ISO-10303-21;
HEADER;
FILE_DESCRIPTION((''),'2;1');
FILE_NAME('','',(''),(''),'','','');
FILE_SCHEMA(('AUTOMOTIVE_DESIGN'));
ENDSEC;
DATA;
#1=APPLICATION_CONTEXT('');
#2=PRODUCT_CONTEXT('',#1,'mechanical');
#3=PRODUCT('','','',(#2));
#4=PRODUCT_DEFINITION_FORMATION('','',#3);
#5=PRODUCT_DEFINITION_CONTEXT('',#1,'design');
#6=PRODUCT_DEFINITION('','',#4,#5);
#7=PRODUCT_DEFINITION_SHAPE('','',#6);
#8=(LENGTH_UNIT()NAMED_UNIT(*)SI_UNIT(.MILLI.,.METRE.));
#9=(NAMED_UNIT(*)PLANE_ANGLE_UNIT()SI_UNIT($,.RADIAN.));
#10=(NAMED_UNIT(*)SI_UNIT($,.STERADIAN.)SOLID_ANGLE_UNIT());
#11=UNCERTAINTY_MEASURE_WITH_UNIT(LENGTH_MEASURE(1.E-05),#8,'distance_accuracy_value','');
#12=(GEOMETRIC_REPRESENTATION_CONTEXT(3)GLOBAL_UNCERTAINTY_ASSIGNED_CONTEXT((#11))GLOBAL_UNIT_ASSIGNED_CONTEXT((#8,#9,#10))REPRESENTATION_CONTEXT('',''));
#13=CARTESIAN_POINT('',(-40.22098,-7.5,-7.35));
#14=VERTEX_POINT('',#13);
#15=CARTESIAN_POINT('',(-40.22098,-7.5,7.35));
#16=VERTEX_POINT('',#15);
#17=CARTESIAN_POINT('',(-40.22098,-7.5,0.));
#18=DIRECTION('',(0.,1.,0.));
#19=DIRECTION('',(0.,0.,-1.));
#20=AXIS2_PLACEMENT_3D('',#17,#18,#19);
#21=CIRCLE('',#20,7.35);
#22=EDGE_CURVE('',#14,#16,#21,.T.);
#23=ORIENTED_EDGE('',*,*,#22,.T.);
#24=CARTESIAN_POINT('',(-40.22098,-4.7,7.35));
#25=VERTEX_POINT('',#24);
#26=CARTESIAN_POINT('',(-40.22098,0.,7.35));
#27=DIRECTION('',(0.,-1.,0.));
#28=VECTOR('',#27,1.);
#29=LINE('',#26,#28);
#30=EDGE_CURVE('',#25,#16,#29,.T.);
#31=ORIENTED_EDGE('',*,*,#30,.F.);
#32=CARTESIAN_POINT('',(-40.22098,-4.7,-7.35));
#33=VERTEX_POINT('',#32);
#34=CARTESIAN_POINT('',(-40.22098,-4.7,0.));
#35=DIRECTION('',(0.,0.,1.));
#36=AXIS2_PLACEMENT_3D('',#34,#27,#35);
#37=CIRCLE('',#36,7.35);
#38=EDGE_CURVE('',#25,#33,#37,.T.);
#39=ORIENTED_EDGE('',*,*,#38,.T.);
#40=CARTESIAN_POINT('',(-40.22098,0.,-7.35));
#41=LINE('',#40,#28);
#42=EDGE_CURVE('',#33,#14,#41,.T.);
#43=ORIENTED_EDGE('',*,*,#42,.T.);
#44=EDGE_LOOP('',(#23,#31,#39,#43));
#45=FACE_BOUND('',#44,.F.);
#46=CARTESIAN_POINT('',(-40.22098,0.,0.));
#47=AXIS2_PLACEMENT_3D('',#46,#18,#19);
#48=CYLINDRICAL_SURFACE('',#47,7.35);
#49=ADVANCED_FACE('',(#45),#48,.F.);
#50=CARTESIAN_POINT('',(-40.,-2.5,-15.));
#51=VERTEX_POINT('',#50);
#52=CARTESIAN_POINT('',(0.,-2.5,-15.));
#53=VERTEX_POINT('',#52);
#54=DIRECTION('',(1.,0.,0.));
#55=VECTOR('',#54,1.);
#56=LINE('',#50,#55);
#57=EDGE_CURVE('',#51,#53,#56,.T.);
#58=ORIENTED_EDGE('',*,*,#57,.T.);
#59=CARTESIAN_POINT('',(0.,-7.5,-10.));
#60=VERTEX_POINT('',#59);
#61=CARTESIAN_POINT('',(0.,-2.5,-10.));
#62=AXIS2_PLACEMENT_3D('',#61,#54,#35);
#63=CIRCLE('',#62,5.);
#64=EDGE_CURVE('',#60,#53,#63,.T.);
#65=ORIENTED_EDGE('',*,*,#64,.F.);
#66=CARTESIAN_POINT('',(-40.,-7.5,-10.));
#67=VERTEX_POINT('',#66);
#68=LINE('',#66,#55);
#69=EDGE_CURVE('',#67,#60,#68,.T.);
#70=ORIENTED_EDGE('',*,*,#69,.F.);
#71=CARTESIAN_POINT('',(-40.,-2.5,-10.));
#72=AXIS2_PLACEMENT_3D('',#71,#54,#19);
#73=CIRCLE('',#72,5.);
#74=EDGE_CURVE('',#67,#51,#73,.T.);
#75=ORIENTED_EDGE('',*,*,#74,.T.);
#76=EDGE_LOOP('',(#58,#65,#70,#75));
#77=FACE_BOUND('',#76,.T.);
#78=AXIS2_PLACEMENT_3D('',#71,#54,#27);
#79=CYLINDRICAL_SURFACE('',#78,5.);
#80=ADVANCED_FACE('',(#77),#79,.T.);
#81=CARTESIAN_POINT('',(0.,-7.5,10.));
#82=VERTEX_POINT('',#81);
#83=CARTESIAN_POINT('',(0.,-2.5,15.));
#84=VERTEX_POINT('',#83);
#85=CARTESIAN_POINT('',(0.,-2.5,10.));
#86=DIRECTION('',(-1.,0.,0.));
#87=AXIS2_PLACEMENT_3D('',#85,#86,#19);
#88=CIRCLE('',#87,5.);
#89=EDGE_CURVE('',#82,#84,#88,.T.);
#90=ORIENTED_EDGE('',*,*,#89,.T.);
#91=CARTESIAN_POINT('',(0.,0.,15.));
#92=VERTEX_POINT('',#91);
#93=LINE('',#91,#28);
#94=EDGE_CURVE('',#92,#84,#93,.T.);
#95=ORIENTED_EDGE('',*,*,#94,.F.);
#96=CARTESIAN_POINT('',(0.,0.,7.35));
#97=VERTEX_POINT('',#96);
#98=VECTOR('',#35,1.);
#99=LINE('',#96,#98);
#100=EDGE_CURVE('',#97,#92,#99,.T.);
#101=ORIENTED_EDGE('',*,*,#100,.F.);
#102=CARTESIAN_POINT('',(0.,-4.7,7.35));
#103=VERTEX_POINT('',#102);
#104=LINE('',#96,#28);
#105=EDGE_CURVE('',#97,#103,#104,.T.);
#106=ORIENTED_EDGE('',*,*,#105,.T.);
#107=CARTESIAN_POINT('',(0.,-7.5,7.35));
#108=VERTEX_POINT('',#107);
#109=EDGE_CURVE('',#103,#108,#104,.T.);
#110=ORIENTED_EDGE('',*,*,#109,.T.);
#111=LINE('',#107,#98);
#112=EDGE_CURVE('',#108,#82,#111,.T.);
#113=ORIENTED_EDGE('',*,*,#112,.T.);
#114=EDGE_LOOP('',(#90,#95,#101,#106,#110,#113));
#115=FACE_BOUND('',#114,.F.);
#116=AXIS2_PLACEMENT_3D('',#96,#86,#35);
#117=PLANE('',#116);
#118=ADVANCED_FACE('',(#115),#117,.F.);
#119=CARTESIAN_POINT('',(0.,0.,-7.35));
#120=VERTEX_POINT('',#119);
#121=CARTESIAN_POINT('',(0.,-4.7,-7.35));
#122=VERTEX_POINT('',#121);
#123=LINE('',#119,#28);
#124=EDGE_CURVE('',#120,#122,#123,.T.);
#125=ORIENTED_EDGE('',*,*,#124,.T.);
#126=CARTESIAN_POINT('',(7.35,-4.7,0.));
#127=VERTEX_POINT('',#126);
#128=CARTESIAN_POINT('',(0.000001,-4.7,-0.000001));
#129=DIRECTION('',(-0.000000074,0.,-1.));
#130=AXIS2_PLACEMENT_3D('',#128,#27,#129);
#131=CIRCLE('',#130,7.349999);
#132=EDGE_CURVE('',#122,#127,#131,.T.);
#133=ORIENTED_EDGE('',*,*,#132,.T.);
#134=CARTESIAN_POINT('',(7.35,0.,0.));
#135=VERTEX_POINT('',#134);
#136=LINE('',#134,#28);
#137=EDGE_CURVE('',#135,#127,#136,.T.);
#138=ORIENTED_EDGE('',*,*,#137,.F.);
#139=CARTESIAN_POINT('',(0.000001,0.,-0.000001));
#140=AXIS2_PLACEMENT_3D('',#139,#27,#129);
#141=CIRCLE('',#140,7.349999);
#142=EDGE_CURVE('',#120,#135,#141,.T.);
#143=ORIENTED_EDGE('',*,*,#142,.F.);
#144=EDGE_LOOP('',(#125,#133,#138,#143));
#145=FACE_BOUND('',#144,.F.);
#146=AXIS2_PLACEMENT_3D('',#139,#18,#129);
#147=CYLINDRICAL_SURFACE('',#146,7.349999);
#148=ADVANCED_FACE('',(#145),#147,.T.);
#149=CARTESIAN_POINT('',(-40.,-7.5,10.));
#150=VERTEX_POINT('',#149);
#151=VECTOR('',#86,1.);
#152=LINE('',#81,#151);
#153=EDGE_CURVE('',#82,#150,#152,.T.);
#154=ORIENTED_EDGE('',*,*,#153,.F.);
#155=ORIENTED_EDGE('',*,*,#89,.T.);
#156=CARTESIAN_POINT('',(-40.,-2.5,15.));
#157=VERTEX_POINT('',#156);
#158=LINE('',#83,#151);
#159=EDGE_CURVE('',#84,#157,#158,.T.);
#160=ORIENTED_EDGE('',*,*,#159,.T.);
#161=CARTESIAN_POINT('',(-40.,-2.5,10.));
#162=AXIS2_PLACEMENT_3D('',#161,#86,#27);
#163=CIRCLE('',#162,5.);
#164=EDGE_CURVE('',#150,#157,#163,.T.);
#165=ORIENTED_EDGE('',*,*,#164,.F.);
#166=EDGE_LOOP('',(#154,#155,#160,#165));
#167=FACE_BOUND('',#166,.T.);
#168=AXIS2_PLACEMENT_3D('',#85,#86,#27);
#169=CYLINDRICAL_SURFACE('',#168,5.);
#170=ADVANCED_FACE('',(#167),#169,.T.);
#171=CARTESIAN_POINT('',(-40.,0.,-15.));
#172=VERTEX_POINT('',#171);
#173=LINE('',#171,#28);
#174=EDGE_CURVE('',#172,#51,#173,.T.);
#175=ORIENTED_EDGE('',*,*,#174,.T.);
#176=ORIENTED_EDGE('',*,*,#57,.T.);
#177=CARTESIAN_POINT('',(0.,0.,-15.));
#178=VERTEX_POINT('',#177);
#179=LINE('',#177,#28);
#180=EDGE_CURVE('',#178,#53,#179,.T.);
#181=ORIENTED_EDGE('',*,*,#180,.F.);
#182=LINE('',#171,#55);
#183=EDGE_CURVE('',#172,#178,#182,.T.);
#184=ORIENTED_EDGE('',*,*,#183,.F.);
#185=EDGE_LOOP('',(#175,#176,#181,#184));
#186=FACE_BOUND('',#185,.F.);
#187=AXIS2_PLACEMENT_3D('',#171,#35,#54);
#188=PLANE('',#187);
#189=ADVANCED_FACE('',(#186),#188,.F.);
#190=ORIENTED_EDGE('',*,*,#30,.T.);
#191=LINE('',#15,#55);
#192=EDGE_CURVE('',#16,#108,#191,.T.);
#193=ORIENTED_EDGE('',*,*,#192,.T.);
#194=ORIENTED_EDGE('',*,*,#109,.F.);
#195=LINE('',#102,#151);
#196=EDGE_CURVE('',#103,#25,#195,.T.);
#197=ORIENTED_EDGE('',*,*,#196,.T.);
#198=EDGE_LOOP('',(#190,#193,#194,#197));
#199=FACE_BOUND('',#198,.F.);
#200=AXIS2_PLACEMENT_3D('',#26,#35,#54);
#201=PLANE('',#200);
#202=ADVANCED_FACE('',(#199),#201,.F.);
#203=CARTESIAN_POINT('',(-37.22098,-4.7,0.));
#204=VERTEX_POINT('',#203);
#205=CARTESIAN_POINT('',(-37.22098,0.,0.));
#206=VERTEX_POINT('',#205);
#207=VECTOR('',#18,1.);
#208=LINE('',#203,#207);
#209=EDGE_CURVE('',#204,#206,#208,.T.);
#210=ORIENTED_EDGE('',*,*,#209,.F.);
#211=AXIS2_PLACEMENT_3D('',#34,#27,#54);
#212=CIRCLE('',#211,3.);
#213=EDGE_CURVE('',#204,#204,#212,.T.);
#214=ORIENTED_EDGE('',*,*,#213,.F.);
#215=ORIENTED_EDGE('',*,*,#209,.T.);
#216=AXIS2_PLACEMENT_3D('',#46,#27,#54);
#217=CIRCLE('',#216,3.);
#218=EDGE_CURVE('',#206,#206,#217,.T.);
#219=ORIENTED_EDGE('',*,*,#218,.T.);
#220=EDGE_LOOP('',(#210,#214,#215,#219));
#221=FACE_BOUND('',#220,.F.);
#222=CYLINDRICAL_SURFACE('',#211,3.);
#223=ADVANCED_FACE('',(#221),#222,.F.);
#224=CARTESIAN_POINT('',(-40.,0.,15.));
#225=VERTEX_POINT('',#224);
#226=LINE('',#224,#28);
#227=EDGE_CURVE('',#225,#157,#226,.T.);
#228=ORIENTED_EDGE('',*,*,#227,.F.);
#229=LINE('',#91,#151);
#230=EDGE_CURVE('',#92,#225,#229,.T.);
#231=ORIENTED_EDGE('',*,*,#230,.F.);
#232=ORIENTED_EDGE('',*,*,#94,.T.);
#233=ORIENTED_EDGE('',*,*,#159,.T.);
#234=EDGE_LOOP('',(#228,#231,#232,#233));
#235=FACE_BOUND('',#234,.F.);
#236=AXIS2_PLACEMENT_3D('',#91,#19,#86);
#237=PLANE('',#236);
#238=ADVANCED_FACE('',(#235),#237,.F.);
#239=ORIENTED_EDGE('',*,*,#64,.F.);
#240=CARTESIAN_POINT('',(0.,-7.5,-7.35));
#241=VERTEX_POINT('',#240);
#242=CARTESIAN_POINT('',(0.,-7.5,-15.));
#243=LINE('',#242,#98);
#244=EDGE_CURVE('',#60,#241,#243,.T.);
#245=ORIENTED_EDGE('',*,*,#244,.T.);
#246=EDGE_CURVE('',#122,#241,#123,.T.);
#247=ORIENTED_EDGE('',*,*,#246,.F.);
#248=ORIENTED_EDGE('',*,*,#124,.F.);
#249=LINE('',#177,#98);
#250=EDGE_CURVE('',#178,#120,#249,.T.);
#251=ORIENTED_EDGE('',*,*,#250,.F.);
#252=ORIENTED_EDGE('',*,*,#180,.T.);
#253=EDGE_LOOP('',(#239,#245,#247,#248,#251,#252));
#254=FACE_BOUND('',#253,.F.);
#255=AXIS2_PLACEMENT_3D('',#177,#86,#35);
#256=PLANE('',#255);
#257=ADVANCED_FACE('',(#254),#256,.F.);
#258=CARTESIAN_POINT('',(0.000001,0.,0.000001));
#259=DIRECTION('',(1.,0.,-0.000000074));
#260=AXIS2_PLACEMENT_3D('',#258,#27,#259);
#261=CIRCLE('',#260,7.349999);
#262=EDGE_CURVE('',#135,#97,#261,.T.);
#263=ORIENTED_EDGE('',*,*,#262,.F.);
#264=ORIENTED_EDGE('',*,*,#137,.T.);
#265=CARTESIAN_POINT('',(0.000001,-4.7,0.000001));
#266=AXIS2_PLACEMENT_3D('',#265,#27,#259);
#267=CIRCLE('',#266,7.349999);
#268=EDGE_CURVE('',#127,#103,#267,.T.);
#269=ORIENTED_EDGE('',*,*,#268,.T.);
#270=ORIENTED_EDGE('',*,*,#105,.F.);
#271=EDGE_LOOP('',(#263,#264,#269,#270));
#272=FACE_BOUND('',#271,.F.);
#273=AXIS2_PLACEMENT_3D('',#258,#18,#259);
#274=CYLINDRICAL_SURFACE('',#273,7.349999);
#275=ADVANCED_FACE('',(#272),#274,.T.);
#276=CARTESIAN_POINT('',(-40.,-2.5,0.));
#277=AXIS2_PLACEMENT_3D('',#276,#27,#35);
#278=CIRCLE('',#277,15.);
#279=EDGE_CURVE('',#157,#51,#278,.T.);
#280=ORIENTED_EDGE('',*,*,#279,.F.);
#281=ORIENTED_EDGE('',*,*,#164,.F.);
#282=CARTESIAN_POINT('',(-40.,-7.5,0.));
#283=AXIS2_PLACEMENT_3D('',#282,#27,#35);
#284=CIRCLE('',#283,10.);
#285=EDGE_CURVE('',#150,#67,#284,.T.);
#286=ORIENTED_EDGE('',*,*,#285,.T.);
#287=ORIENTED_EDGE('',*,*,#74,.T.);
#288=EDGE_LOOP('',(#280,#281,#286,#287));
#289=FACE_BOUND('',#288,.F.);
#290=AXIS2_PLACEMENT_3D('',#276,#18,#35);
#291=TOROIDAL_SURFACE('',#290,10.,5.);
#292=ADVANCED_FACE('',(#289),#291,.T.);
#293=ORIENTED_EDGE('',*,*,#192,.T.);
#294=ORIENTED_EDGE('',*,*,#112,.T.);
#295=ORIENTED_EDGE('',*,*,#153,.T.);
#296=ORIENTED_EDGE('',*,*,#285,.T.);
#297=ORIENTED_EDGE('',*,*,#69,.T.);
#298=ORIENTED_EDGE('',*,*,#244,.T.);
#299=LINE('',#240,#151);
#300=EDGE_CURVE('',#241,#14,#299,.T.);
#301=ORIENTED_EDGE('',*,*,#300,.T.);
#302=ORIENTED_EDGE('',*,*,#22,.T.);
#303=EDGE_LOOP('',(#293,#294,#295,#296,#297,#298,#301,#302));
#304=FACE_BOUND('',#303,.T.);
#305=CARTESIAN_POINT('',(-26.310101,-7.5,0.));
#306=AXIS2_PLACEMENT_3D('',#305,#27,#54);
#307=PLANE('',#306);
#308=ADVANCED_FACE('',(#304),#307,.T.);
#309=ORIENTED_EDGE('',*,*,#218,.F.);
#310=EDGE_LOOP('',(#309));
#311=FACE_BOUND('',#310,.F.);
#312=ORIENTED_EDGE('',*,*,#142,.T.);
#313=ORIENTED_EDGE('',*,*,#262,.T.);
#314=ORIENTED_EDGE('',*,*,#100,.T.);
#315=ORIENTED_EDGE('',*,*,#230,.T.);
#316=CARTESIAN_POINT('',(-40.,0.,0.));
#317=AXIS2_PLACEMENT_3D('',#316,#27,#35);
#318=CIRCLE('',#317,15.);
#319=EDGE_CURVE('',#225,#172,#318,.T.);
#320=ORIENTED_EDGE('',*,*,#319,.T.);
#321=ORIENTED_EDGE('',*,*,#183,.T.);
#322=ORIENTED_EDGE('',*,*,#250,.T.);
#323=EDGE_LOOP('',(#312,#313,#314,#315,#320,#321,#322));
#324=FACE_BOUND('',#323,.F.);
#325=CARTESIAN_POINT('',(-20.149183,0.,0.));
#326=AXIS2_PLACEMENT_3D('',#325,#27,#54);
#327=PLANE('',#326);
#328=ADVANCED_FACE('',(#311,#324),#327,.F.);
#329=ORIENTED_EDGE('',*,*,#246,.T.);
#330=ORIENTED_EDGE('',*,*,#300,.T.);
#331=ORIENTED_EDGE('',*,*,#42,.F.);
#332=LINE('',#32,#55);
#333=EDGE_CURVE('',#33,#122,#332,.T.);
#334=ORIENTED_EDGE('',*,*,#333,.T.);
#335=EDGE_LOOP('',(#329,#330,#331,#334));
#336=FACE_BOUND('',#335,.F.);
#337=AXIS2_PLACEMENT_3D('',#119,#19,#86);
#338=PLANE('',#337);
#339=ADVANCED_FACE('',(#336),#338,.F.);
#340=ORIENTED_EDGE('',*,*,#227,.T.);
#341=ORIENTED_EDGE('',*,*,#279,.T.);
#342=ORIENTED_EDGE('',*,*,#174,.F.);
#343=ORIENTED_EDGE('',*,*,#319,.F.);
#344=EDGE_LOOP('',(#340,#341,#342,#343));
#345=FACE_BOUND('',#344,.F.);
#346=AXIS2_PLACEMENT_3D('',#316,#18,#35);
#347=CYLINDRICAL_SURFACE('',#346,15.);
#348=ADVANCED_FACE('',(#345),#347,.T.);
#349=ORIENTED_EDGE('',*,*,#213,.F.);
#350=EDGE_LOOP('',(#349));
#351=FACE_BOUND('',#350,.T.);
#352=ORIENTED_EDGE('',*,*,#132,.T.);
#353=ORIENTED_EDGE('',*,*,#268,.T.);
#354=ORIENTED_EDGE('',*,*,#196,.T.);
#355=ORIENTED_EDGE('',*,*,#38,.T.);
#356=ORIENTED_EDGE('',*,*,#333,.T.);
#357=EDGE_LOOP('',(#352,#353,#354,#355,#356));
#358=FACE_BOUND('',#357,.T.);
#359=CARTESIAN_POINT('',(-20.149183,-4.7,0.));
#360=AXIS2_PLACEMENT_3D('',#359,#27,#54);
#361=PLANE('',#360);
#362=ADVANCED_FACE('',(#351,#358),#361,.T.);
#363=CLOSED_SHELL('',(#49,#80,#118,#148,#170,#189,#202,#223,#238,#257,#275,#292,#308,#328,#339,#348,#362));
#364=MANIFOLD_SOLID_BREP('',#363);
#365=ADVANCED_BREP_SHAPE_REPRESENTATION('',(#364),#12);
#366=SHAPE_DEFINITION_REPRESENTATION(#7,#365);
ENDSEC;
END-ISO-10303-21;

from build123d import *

# Parameters (mm, degrees)
F1_DEPTH = 7.5
F2_DEPTH = 4.7
F3_R     = 5
F4_R     = 3
F5_DEPTH = 25


with BuildPart() as f1:
    # F0 (on Front) → F1 (new body)
    with BuildSketch(Plane.XZ):
        with BuildLine():
            Line((-40.22098, 7.35), (0, 7.35))
            Line((0, 7.35), (0, 15))
            Line((0, 15), (-40, 15))
            ThreePointArc((-40, 15), (-55, 0), (-40, -15))
            Line((-40, -15), (0, -15))
            Line((0, -15), (0, -7.35))
            Line((0, -7.35), (-40.22098, -7.35))
            ThreePointArc((-40.22098, -7.35), (-47.57098, 0), (-40.22098, 7.35))
        make_face()
    extrude(amount=F1_DEPTH)

    # F0 (on Front) → F2 (join)
    with BuildSketch(Plane.XZ):
        with BuildLine():
            ThreePointArc((0, -7.35), (-7.35, 0), (0, 7.35))
            Line((0, 7.35), (-40.22098, 7.35))
            ThreePointArc((-40.22098, 7.35), (-35.023746, 5.197235), (-32.87098, 0))
            ThreePointArc((-32.87098, 0), (-35.023746, -5.197235), (-40.22098, -7.35))
            Line((-40.22098, -7.35), (0, -7.35))
        make_face()
        with BuildLine():
            ThreePointArc((-32.87098, 0), (-35.023746, 5.197235), (-40.22098, 7.35))
            ThreePointArc((-40.22098, 7.35), (-47.57098, 0), (-40.22098, -7.35))
            ThreePointArc((-40.22098, -7.35), (-35.023746, -5.197235), (-32.87098, 0))
        make_face()
        with BuildLine():
            ThreePointArc((0, -7.35), (5.197235, -5.197235), (7.35, 0))
            ThreePointArc((7.35, 0), (5.197235, 5.197235), (0, 7.35))
            Line((0, 7.35), (0, 0))
            Line((0, 0), (0, -7.35))
        make_face()
        with BuildLine():
            Line((0, 0), (0, 7.35))
            ThreePointArc((0, 7.35), (-7.35, 0), (0, -7.35))
            Line((0, -7.35), (0, 0))
        make_face()
    extrude(amount=F2_DEPTH)

    # F3
    f3_edges = [f1.edges().sort_by_distance(p)[0] for p in [
        (-20, -7.5, 15),
    ]]
    fillet(f3_edges, radius=F3_R)

    # F4 (on face) → F5 (cut)
    with BuildSketch(Plane.XZ.offset(4.7)):
        with Locations((-40.22098, 0)):
            Circle(F4_R)
    extrude(amount=-F5_DEPTH, mode=Mode.SUBTRACT)


solid = f1.part
